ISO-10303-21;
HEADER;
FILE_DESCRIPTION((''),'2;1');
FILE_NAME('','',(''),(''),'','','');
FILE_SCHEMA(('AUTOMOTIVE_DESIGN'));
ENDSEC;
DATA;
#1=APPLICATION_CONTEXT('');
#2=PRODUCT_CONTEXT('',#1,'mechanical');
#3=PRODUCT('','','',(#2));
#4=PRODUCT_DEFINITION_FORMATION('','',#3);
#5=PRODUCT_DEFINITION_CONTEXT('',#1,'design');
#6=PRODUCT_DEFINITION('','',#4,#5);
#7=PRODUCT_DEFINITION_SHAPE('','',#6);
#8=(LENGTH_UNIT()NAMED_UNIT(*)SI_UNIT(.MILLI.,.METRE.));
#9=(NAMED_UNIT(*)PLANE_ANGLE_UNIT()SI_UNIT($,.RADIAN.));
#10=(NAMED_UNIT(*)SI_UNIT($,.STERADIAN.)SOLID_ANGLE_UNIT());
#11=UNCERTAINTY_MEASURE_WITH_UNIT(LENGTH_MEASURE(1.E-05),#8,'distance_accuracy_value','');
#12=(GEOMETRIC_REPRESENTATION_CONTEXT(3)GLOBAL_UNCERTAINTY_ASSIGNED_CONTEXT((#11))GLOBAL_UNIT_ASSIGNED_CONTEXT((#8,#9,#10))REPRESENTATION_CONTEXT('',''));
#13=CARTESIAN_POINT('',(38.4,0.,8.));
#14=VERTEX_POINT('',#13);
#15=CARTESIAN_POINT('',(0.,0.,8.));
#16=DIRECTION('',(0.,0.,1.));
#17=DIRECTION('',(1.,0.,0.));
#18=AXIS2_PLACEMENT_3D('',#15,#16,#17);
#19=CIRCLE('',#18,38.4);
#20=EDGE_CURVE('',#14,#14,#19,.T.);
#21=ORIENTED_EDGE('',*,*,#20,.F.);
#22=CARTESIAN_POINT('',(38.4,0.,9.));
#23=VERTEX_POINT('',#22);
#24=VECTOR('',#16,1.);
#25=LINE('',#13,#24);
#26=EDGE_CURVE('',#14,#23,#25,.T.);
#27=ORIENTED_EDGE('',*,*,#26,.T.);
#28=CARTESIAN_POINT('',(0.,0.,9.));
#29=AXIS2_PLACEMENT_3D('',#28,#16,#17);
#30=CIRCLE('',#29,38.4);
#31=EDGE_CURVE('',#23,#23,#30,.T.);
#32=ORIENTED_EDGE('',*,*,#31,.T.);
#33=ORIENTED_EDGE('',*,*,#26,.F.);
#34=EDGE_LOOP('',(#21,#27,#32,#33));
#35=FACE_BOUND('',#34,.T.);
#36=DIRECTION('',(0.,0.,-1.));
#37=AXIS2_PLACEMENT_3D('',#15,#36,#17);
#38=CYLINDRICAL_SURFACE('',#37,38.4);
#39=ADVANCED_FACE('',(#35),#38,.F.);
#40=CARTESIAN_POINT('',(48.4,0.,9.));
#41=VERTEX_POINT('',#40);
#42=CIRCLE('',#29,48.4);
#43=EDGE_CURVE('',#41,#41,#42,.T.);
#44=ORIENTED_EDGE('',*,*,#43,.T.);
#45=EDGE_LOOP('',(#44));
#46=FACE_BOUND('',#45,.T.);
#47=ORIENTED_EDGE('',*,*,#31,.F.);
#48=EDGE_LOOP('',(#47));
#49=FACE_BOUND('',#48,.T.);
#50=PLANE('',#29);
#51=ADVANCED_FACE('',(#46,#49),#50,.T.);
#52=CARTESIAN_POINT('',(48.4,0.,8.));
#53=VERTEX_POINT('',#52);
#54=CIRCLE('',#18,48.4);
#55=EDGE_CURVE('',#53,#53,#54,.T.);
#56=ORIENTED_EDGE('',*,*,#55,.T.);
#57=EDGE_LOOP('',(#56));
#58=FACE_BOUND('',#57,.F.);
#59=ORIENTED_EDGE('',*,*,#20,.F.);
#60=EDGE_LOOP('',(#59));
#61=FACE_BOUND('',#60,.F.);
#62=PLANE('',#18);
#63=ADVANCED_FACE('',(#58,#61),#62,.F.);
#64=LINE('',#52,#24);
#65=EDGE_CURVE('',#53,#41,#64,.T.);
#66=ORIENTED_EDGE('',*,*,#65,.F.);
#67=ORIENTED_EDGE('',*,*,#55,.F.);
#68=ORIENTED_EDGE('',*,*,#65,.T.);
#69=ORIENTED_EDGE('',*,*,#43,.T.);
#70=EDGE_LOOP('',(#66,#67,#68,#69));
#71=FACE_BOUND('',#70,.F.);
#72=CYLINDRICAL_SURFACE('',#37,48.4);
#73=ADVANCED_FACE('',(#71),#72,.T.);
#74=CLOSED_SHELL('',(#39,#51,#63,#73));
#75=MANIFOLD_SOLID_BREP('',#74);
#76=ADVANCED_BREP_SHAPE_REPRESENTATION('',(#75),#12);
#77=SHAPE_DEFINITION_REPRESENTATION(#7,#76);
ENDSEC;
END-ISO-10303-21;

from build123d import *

# Parameters (mm, degrees)
CYLINDER004_R     = 38.4
CYLINDER004_DEPTH = 1
CYLINDER003_R     = 48.4
CYLINDER003_DEPTH = 1


with BuildPart() as top_wall_cutout:
    # Cylinder004 → Cylinder004 (new body)
    with BuildSketch(Plane.XY.offset(8)):
        Circle(CYLINDER004_R)
    extrude(amount=CYLINDER004_DEPTH)


with BuildPart() as top_flange:
    # Cylinder003 → Cylinder003 (new body)
    with BuildSketch(Plane.XY.offset(8)):
        Circle(CYLINDER003_R)
    extrude(amount=CYLINDER003_DEPTH)

    # Cut003: cut top_wall_cutout
    add(top_wall_cutout.part, mode=Mode.SUBTRACT)


solid = top_flange.part
